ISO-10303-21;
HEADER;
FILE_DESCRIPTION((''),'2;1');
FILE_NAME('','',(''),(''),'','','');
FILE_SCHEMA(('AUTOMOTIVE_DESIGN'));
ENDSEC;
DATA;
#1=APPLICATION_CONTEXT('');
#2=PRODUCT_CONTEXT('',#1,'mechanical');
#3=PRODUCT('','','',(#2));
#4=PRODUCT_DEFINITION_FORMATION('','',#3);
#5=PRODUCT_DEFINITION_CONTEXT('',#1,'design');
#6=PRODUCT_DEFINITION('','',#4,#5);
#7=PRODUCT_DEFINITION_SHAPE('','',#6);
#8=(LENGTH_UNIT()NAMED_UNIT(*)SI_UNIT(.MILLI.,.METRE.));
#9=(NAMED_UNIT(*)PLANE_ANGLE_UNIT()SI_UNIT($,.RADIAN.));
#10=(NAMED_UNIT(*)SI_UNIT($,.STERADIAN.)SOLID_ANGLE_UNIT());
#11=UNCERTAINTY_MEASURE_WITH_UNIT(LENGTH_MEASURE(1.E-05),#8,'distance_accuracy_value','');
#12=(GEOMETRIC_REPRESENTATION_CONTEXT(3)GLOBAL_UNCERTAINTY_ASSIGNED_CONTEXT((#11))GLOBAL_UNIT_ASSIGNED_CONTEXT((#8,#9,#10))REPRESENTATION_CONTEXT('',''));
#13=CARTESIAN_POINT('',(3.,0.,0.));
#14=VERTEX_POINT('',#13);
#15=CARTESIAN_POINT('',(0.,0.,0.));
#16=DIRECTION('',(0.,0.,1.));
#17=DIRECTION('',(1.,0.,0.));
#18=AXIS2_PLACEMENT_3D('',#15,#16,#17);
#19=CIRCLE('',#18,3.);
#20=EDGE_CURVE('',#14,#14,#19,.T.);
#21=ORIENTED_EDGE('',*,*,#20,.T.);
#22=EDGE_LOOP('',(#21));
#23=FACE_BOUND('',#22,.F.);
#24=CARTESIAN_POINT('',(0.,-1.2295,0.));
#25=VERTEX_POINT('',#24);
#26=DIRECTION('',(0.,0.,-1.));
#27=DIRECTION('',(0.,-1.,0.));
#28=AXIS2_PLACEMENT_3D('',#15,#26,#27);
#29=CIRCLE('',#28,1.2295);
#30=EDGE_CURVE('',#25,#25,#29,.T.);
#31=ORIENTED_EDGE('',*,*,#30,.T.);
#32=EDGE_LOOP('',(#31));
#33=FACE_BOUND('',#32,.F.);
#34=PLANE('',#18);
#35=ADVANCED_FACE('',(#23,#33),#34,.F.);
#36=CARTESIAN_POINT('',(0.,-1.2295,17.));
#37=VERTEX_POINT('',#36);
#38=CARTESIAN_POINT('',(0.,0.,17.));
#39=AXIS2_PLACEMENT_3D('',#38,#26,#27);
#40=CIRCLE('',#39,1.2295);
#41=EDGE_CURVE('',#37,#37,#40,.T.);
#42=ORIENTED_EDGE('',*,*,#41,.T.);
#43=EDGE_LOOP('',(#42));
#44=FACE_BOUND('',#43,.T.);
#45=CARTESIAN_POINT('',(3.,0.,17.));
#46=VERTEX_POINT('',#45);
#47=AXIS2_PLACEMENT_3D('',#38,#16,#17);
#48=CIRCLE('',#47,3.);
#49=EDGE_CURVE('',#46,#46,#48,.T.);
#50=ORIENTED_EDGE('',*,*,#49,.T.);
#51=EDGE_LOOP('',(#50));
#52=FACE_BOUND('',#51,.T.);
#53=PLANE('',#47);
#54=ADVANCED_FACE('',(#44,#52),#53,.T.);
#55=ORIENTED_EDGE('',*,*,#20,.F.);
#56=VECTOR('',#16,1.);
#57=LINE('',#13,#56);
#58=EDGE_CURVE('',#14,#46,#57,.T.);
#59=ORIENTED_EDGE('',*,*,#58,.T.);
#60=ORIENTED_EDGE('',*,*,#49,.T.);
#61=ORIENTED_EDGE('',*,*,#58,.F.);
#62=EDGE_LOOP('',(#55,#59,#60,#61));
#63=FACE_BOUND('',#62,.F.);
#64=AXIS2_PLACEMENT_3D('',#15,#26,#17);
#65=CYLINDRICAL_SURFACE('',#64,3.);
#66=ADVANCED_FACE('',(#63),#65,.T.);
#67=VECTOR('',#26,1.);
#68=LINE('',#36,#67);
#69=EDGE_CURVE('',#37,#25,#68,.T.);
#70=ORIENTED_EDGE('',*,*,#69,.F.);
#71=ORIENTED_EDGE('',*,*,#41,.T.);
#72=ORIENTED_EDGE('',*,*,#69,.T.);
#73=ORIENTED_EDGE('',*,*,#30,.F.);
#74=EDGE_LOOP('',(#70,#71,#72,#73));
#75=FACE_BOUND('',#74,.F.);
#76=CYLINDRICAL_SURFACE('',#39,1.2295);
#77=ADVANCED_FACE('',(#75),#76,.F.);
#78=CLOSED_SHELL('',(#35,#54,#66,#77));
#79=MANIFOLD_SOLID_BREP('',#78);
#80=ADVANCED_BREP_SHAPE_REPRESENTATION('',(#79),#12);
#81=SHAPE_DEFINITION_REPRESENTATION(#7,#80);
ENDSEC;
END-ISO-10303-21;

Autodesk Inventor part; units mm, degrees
ref_plane "YZ Plane" through (0, 0, 0) normal (1, 0, 0) x (0, 1, 0)
ref_plane "XZ Plane" through (0, 0, 0) normal (0, 1, 0) x (-1, 0, 0)
ref_plane "XY Plane" through (0, 0, 0) normal (0, 0, 1) x (1, 0, 0)
sketch "Sketch1" plane through (0, 0, 0) normal (0, 0, 1) x (1, 0, 0)
  circle A0 centre (0, 0) radius 3
  dimension "d0" = 6
extrude "Extrusion1" add sketch "Sketch1" along normal blind 17
sketch "Sketch2" plane through (0, 0, 17) normal (0, 0, 1) x (1, 0, 0)
  point P0 (0, 0)
  point P1 (0, 0)
hole "Hole1" at (0, 0, 17) direction (0, 0, -1) diameter 2.459 end through all thread size "M3x0.5" class "6H" standard "ANSI Metric M Profile"
sketch "Sketch3" plane through (0, 0, 0) normal (0, 1, 0) x (-1, 0, 0)
  line L0 (3, 0) -> (3, 17) projected
  line L1 (3, 17) -> (2.5, 17)
  line L2 (2.5, 17) -> (2.5, 13)
  line L3 (2.5, 13) -> (3, 13)
  line L4 (3, 13) -> (3, 17)
  line L5 (3, 17) -> (-3, 17) projected
  line L6 (-3, 17) -> (-2.5, 17)
  line L7 (-2.5, 17) -> (-2.5, 13)
  line L8 (-2.5, 13) -> (-3, 13)
  line L9 (-3, 13) -> (-3, 17)
  point P0 (0, 0)
  dimension "d10" = 0.5
  dimension "d11" = 5
  dimension "d12" = 0.5
  dimension "d13" = 4
extrude "Extrusion2" [suppressed]
equation "\"d10\" = d12"
properties part number "Top_Separator Weight" material "Aluminum 6061"
